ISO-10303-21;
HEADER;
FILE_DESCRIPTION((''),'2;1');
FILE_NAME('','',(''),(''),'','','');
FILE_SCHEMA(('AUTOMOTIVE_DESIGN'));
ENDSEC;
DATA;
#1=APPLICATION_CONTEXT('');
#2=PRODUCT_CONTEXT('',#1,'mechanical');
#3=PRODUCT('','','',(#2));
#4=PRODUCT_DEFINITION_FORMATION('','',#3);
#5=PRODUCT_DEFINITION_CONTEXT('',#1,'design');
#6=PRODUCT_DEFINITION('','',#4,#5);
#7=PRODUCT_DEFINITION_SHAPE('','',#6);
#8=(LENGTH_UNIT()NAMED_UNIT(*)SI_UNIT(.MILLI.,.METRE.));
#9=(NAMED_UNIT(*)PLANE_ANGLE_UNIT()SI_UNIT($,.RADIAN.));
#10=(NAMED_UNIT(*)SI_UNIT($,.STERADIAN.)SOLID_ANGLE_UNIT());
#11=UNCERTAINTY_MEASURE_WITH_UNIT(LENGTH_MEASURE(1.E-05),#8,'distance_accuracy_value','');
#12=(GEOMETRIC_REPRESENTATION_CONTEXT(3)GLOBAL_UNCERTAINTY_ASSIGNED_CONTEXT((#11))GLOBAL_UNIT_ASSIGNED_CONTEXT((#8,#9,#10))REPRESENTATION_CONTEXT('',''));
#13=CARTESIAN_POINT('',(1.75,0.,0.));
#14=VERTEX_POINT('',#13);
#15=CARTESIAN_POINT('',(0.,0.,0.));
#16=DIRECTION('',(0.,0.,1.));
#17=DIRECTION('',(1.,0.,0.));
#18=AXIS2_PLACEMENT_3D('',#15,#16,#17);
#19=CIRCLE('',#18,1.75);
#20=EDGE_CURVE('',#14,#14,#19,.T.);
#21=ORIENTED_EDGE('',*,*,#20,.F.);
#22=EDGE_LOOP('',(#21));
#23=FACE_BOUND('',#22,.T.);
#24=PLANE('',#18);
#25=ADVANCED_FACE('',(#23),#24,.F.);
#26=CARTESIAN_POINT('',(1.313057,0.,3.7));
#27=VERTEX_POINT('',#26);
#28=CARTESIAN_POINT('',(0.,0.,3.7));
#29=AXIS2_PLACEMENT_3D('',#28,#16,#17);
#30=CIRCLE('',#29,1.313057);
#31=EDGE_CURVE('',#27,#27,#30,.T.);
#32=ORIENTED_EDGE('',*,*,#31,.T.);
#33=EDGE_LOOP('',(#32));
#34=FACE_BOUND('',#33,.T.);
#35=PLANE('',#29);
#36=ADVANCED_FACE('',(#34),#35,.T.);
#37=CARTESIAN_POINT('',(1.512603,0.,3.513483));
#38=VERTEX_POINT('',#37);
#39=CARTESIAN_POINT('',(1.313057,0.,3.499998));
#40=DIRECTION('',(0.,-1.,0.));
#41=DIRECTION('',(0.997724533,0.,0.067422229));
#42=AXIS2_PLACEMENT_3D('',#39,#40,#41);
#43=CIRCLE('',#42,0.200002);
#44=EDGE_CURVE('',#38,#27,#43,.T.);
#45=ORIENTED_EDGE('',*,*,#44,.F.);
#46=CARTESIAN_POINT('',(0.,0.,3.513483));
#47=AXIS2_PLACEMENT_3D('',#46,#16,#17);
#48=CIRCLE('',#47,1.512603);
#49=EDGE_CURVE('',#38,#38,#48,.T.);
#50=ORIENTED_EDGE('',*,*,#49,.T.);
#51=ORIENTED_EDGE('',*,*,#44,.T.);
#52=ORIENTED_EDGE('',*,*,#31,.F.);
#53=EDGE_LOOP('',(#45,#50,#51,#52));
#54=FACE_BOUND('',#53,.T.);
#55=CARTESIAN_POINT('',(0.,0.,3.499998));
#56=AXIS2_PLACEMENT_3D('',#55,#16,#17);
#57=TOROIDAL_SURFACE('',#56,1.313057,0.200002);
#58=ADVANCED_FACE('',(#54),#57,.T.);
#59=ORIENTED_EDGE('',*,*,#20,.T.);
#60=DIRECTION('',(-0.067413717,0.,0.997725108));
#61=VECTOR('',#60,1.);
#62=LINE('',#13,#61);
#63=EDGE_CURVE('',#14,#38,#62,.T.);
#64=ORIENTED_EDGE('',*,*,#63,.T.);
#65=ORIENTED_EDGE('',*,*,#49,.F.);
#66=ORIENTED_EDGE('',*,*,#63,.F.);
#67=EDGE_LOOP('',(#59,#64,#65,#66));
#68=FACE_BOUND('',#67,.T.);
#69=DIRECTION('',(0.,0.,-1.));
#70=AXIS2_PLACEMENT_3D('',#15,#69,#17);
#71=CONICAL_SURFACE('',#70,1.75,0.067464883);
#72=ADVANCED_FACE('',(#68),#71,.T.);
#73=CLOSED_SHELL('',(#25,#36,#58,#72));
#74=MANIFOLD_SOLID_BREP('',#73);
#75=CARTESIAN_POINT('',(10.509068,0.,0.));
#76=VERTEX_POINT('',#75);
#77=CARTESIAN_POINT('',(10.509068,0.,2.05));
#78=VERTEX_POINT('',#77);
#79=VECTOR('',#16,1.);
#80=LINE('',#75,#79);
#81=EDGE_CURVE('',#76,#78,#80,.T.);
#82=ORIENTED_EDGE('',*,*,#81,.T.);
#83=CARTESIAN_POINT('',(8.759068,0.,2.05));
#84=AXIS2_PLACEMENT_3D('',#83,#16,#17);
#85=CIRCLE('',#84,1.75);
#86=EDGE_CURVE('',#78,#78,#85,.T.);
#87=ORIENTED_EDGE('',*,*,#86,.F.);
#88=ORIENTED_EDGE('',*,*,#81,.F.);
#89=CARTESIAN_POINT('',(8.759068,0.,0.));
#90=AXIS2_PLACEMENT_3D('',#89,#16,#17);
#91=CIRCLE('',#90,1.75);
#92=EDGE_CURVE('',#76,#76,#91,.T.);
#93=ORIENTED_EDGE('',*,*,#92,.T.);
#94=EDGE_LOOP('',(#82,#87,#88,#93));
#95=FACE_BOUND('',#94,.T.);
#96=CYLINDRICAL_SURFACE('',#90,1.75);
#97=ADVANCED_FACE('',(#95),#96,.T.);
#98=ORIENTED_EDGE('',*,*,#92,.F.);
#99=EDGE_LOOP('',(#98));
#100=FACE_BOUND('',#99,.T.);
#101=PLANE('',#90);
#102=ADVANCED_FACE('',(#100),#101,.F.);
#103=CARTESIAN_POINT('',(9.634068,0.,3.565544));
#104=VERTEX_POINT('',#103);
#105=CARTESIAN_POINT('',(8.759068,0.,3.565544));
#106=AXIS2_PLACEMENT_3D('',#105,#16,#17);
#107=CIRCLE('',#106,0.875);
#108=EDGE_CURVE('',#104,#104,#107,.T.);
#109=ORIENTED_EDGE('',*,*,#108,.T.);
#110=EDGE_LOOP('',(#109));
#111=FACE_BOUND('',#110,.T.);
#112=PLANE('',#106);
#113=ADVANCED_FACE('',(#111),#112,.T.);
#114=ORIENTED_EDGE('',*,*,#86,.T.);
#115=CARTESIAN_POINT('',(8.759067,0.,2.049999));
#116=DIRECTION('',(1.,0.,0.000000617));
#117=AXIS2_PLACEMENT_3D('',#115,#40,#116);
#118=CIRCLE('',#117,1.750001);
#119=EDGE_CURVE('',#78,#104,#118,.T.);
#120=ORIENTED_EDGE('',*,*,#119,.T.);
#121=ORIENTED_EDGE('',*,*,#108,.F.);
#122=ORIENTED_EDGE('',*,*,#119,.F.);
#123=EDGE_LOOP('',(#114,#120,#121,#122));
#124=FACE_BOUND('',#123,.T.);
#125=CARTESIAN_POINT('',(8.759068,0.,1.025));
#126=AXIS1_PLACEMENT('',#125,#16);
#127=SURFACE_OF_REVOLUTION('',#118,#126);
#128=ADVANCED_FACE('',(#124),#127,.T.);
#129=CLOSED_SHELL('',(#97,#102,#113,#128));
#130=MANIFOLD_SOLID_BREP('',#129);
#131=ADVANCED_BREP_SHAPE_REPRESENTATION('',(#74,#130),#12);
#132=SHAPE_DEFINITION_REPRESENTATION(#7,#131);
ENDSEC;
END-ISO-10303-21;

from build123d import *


with BuildPart() as f1:
    # F0 (on Front) → F1 (revolve)
    with BuildSketch(Plane.XZ):
        with BuildLine():
            Line((0, 3.7), (0, 0))
            Line((0, 0), (1.75, 0))
            Line((1.75, 0), (1.512603, 3.513483))
            ThreePointArc((1.512603, 3.513483), (1.449629, 3.64611), (1.313057, 3.7))
            Line((1.313057, 3.7), (0, 3.7))
        make_face()
    revolve(axis=Axis((0, 0, 1.85), (0, 0, 1)))


with BuildPart() as f3:
    # F2 (on Front) → F3 (revolve)
    with BuildSketch(Plane.XZ):
        with BuildLine():
            Line((8.759068, 2.05), (8.759068, 0))
            Line((8.759068, 0), (10.509068, 0))
            Line((10.509068, 0), (10.509068, 2.05))
            ThreePointArc((10.509068, 2.05), (10.274612, 2.925), (9.634068, 3.565544))
            Line((9.634068, 3.565544), (8.759068, 3.565544))
            Line((8.759068, 3.565544), (8.759068, 2.05))
        make_face()
    revolve(axis=Axis((8.759068, 0, 1.025), (0, 0, 1)))


solid = Compound([f1.part, f3.part])
